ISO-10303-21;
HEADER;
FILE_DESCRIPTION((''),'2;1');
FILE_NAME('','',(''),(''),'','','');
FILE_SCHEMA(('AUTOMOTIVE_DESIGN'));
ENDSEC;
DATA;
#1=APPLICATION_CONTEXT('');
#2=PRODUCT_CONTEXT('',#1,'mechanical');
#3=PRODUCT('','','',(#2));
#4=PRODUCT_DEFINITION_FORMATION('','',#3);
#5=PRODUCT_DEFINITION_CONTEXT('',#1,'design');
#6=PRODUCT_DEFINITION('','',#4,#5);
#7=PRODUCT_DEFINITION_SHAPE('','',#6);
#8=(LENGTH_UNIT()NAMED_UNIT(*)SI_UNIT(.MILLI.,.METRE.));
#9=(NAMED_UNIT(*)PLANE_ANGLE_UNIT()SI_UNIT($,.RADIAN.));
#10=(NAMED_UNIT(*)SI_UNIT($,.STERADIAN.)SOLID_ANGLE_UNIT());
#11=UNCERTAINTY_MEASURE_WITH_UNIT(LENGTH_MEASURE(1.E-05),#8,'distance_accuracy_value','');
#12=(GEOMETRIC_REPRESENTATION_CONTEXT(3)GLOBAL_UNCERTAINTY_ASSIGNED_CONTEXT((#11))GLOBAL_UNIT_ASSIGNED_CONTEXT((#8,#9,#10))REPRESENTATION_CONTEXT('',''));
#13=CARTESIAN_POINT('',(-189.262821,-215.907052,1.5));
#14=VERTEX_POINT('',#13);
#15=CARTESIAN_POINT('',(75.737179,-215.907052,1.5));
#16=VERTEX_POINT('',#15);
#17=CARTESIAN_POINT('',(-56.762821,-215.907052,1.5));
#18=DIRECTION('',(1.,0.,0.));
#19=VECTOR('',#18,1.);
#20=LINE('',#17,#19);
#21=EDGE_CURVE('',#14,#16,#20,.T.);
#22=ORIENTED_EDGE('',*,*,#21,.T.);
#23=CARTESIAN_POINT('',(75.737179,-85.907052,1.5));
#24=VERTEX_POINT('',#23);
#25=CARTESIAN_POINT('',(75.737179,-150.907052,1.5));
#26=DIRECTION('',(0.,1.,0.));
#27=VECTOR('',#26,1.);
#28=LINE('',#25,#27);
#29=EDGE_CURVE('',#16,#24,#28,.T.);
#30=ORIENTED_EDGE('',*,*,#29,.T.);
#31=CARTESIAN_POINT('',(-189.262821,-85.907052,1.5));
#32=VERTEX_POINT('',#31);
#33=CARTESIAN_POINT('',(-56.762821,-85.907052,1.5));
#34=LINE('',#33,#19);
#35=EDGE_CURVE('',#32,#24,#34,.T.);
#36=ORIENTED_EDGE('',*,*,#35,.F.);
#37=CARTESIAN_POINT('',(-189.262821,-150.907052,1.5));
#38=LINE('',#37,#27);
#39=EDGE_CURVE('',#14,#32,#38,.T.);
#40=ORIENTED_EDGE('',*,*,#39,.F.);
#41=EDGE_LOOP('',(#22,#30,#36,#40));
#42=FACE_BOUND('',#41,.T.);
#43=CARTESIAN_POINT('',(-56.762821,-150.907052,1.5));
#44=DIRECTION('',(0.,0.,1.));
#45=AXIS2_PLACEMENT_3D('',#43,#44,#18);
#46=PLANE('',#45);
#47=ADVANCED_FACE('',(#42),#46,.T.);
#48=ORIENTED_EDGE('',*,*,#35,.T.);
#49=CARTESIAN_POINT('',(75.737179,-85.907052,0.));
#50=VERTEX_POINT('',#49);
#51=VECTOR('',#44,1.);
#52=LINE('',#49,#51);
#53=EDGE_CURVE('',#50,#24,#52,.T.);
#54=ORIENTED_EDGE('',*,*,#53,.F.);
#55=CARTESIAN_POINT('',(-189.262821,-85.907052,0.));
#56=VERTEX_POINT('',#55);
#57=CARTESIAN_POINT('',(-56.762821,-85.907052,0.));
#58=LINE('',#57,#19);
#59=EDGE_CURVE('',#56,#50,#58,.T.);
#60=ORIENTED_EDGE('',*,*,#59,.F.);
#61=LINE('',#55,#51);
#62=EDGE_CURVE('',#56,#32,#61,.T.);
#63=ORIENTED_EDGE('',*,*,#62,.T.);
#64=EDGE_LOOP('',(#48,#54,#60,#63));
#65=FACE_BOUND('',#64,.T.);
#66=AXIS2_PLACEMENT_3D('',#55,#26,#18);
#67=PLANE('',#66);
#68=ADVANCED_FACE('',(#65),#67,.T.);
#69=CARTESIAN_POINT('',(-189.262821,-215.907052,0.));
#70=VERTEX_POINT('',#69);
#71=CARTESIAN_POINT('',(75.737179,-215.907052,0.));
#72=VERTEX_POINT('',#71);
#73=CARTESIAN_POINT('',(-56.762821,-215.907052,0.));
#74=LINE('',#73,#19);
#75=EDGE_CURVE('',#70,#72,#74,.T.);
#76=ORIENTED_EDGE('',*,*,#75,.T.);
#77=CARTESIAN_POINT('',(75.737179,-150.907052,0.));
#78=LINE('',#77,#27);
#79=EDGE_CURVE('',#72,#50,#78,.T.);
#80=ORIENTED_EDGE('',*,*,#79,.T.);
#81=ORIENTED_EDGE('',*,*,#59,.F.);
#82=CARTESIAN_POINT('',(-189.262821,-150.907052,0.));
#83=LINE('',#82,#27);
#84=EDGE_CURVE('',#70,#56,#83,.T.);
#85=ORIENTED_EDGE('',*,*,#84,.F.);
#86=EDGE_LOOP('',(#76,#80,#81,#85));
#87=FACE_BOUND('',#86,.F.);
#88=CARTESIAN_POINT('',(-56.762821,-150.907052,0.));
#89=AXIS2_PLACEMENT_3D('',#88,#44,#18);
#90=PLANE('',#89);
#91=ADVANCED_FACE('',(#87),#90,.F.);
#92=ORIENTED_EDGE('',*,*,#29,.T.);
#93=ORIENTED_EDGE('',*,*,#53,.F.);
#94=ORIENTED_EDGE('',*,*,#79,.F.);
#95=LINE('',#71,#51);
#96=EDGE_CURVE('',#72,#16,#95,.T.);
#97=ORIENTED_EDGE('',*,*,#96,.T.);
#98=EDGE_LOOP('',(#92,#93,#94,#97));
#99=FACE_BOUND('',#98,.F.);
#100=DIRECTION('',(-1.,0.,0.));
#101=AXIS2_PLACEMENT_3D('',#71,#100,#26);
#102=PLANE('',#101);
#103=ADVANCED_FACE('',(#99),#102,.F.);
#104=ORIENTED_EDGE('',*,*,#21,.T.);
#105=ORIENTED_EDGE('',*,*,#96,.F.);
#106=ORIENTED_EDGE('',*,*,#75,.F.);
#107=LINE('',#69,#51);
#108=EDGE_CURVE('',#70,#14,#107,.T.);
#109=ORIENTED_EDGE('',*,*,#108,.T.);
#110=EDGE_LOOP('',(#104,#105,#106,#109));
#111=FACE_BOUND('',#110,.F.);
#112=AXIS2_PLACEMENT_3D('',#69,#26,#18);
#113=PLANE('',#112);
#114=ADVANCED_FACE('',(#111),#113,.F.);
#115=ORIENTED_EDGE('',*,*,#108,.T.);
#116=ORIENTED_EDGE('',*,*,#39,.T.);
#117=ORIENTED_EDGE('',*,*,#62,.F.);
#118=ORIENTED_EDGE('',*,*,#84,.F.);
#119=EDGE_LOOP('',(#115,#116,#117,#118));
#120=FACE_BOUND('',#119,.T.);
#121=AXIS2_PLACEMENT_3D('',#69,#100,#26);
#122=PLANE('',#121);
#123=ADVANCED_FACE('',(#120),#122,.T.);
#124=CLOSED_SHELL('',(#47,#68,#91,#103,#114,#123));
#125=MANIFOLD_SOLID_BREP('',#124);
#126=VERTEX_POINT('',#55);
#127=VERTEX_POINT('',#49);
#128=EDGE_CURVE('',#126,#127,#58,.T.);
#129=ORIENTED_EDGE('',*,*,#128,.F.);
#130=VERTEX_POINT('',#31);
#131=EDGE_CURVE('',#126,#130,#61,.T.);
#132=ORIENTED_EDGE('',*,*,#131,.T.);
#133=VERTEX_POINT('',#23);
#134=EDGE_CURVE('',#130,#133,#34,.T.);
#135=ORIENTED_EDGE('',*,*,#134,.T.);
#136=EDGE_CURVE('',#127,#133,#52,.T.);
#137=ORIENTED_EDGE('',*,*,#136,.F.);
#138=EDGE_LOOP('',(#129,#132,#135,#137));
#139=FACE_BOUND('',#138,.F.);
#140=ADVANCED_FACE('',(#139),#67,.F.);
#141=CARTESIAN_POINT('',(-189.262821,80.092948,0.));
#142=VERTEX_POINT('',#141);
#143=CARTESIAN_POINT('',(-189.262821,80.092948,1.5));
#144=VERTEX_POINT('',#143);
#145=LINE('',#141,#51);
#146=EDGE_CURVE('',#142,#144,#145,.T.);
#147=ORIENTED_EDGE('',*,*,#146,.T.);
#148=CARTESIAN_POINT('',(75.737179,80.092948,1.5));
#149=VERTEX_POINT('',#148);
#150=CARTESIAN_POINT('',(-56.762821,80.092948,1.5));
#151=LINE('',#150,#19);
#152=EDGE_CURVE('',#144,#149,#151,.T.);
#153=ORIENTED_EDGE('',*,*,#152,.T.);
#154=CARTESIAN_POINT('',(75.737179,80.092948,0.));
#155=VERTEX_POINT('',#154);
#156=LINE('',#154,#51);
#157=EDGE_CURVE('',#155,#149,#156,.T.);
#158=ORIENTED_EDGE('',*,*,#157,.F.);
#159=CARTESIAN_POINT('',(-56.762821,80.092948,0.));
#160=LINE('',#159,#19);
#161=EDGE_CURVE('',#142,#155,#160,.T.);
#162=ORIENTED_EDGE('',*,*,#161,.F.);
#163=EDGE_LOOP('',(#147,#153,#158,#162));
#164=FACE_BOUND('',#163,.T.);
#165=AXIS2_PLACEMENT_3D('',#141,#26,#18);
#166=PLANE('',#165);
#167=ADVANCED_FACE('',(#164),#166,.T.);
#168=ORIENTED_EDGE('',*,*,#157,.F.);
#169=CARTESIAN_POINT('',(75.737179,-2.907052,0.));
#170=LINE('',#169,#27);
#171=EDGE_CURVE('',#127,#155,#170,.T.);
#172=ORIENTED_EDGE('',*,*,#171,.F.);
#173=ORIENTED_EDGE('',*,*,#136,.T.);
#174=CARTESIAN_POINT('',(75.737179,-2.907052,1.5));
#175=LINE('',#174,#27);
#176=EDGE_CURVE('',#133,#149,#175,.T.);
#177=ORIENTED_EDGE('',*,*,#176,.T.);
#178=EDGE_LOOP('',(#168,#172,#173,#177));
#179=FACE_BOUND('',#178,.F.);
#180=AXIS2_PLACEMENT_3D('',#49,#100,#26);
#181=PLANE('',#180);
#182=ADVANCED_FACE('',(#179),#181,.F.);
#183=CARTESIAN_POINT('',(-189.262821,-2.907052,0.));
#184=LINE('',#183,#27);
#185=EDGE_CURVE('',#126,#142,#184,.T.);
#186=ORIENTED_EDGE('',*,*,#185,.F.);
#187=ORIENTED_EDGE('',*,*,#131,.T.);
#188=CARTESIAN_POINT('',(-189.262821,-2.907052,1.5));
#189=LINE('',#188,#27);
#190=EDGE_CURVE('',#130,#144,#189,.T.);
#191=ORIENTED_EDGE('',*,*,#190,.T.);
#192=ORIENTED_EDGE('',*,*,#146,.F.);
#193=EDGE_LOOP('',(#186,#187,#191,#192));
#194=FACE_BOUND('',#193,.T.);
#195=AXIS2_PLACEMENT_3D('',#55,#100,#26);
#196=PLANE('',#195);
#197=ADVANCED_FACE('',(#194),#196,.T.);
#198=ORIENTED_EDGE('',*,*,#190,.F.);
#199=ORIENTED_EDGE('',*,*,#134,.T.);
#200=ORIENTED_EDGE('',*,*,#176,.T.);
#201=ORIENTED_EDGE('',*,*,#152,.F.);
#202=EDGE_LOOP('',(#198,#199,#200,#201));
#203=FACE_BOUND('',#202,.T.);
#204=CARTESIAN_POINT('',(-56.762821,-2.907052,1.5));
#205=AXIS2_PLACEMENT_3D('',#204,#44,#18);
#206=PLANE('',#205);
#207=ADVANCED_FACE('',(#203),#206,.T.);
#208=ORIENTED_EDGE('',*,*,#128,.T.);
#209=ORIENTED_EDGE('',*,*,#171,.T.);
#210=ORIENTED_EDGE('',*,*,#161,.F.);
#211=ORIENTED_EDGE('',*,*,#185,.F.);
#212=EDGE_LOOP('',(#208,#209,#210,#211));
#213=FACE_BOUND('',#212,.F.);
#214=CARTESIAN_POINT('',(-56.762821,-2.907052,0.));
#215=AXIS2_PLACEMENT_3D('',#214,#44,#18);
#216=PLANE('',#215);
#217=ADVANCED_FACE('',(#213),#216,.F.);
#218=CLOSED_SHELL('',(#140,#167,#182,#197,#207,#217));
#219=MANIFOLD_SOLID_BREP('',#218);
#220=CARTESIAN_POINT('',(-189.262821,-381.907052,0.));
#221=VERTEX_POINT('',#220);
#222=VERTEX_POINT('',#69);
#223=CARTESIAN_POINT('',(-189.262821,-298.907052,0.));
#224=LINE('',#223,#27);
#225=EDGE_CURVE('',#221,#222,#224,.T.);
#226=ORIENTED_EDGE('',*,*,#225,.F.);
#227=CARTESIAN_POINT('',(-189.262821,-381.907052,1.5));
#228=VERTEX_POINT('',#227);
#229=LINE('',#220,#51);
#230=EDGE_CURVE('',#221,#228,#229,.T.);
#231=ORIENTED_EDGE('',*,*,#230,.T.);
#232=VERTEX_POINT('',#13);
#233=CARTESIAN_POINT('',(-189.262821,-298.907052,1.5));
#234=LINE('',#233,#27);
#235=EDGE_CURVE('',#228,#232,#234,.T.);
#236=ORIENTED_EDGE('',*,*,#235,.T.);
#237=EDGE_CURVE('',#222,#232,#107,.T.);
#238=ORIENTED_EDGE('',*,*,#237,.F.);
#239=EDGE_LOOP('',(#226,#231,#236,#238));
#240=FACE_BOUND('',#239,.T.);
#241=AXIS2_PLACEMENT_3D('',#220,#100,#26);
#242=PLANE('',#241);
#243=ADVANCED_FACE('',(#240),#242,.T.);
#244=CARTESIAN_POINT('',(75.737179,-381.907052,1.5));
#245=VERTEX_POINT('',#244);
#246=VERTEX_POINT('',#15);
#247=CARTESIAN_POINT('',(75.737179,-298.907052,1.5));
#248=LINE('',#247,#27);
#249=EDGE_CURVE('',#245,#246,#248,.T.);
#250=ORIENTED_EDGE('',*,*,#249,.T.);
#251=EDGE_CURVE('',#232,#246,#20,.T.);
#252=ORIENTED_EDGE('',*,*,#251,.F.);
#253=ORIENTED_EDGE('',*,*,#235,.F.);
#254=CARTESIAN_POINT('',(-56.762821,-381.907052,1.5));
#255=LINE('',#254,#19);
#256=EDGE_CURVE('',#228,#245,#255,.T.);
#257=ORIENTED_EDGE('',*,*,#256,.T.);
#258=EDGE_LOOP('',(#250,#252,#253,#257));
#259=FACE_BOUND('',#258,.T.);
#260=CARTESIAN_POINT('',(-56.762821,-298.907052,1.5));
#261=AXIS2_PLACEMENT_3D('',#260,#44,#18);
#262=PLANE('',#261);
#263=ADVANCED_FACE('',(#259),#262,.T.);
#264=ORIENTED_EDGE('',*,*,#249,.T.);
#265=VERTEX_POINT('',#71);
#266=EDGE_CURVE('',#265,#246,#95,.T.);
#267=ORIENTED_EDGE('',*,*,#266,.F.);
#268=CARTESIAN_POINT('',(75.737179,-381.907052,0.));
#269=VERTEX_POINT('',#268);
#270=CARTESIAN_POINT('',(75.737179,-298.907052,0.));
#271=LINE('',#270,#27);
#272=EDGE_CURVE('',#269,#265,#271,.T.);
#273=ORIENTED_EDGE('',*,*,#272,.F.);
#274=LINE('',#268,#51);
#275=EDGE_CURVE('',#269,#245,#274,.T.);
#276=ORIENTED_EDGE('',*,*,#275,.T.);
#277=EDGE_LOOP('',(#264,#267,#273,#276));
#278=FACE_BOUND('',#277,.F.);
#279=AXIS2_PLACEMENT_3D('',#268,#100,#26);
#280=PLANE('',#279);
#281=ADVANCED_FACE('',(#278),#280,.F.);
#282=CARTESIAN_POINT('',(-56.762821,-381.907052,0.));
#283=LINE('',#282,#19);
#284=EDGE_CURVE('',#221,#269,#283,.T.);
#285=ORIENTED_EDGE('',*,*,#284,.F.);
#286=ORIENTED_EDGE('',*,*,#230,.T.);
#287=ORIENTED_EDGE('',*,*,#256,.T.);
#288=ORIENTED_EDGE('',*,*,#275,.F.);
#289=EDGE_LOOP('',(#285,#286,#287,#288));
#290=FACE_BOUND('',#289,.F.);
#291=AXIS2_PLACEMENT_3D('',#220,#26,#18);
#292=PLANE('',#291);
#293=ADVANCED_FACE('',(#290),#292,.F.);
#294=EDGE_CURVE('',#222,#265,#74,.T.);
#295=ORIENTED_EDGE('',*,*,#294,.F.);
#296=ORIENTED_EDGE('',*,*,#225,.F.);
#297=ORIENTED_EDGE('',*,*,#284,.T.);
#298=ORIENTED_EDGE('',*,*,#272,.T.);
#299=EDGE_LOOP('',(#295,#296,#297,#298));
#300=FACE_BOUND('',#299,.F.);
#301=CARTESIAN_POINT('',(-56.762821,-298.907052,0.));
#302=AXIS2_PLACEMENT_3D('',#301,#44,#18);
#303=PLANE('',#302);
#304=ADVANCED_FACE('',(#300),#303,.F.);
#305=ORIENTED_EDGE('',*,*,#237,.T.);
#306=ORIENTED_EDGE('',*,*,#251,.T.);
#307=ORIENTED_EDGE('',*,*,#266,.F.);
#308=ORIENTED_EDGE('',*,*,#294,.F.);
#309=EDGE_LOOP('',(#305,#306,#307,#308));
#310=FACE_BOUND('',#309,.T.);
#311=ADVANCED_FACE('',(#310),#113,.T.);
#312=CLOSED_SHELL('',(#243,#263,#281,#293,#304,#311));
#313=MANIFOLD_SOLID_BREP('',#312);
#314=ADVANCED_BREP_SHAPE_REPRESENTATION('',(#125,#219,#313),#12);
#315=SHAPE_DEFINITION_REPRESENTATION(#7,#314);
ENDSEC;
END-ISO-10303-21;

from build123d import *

# Parameters (mm, degrees)
F0_W     = 265
F0_H     = 166
F3_DEPTH = 1.5
F1_W     = 265
F1_H     = 130
F2_W     = 265
F2_H     = 166


with BuildPart() as f3:
    # F0 (on Top) → F3 (new body)
    with BuildSketch(Plane.XY):
        with Locations((-56.762821041, -2.907051988)):
            Rectangle(F0_W, F0_H)
    extrude(amount=F3_DEPTH)


with BuildPart() as f3b:
    # F1 (on Top) → F3, piece 2 (new body)
    with BuildSketch(Plane.XY):
        with Locations((-56.762821041, -150.907051988)):
            Rectangle(F1_W, F1_H)
    extrude(amount=F3_DEPTH)


with BuildPart() as f3c:
    # F2 (on Top) → F3, piece 3 (new body)
    with BuildSketch(Plane.XY):
        with Locations((-56.762821041, -298.907051988)):
            Rectangle(F2_W, F2_H)
    extrude(amount=F3_DEPTH)


solid = Compound([f3.part, f3b.part, f3c.part])
